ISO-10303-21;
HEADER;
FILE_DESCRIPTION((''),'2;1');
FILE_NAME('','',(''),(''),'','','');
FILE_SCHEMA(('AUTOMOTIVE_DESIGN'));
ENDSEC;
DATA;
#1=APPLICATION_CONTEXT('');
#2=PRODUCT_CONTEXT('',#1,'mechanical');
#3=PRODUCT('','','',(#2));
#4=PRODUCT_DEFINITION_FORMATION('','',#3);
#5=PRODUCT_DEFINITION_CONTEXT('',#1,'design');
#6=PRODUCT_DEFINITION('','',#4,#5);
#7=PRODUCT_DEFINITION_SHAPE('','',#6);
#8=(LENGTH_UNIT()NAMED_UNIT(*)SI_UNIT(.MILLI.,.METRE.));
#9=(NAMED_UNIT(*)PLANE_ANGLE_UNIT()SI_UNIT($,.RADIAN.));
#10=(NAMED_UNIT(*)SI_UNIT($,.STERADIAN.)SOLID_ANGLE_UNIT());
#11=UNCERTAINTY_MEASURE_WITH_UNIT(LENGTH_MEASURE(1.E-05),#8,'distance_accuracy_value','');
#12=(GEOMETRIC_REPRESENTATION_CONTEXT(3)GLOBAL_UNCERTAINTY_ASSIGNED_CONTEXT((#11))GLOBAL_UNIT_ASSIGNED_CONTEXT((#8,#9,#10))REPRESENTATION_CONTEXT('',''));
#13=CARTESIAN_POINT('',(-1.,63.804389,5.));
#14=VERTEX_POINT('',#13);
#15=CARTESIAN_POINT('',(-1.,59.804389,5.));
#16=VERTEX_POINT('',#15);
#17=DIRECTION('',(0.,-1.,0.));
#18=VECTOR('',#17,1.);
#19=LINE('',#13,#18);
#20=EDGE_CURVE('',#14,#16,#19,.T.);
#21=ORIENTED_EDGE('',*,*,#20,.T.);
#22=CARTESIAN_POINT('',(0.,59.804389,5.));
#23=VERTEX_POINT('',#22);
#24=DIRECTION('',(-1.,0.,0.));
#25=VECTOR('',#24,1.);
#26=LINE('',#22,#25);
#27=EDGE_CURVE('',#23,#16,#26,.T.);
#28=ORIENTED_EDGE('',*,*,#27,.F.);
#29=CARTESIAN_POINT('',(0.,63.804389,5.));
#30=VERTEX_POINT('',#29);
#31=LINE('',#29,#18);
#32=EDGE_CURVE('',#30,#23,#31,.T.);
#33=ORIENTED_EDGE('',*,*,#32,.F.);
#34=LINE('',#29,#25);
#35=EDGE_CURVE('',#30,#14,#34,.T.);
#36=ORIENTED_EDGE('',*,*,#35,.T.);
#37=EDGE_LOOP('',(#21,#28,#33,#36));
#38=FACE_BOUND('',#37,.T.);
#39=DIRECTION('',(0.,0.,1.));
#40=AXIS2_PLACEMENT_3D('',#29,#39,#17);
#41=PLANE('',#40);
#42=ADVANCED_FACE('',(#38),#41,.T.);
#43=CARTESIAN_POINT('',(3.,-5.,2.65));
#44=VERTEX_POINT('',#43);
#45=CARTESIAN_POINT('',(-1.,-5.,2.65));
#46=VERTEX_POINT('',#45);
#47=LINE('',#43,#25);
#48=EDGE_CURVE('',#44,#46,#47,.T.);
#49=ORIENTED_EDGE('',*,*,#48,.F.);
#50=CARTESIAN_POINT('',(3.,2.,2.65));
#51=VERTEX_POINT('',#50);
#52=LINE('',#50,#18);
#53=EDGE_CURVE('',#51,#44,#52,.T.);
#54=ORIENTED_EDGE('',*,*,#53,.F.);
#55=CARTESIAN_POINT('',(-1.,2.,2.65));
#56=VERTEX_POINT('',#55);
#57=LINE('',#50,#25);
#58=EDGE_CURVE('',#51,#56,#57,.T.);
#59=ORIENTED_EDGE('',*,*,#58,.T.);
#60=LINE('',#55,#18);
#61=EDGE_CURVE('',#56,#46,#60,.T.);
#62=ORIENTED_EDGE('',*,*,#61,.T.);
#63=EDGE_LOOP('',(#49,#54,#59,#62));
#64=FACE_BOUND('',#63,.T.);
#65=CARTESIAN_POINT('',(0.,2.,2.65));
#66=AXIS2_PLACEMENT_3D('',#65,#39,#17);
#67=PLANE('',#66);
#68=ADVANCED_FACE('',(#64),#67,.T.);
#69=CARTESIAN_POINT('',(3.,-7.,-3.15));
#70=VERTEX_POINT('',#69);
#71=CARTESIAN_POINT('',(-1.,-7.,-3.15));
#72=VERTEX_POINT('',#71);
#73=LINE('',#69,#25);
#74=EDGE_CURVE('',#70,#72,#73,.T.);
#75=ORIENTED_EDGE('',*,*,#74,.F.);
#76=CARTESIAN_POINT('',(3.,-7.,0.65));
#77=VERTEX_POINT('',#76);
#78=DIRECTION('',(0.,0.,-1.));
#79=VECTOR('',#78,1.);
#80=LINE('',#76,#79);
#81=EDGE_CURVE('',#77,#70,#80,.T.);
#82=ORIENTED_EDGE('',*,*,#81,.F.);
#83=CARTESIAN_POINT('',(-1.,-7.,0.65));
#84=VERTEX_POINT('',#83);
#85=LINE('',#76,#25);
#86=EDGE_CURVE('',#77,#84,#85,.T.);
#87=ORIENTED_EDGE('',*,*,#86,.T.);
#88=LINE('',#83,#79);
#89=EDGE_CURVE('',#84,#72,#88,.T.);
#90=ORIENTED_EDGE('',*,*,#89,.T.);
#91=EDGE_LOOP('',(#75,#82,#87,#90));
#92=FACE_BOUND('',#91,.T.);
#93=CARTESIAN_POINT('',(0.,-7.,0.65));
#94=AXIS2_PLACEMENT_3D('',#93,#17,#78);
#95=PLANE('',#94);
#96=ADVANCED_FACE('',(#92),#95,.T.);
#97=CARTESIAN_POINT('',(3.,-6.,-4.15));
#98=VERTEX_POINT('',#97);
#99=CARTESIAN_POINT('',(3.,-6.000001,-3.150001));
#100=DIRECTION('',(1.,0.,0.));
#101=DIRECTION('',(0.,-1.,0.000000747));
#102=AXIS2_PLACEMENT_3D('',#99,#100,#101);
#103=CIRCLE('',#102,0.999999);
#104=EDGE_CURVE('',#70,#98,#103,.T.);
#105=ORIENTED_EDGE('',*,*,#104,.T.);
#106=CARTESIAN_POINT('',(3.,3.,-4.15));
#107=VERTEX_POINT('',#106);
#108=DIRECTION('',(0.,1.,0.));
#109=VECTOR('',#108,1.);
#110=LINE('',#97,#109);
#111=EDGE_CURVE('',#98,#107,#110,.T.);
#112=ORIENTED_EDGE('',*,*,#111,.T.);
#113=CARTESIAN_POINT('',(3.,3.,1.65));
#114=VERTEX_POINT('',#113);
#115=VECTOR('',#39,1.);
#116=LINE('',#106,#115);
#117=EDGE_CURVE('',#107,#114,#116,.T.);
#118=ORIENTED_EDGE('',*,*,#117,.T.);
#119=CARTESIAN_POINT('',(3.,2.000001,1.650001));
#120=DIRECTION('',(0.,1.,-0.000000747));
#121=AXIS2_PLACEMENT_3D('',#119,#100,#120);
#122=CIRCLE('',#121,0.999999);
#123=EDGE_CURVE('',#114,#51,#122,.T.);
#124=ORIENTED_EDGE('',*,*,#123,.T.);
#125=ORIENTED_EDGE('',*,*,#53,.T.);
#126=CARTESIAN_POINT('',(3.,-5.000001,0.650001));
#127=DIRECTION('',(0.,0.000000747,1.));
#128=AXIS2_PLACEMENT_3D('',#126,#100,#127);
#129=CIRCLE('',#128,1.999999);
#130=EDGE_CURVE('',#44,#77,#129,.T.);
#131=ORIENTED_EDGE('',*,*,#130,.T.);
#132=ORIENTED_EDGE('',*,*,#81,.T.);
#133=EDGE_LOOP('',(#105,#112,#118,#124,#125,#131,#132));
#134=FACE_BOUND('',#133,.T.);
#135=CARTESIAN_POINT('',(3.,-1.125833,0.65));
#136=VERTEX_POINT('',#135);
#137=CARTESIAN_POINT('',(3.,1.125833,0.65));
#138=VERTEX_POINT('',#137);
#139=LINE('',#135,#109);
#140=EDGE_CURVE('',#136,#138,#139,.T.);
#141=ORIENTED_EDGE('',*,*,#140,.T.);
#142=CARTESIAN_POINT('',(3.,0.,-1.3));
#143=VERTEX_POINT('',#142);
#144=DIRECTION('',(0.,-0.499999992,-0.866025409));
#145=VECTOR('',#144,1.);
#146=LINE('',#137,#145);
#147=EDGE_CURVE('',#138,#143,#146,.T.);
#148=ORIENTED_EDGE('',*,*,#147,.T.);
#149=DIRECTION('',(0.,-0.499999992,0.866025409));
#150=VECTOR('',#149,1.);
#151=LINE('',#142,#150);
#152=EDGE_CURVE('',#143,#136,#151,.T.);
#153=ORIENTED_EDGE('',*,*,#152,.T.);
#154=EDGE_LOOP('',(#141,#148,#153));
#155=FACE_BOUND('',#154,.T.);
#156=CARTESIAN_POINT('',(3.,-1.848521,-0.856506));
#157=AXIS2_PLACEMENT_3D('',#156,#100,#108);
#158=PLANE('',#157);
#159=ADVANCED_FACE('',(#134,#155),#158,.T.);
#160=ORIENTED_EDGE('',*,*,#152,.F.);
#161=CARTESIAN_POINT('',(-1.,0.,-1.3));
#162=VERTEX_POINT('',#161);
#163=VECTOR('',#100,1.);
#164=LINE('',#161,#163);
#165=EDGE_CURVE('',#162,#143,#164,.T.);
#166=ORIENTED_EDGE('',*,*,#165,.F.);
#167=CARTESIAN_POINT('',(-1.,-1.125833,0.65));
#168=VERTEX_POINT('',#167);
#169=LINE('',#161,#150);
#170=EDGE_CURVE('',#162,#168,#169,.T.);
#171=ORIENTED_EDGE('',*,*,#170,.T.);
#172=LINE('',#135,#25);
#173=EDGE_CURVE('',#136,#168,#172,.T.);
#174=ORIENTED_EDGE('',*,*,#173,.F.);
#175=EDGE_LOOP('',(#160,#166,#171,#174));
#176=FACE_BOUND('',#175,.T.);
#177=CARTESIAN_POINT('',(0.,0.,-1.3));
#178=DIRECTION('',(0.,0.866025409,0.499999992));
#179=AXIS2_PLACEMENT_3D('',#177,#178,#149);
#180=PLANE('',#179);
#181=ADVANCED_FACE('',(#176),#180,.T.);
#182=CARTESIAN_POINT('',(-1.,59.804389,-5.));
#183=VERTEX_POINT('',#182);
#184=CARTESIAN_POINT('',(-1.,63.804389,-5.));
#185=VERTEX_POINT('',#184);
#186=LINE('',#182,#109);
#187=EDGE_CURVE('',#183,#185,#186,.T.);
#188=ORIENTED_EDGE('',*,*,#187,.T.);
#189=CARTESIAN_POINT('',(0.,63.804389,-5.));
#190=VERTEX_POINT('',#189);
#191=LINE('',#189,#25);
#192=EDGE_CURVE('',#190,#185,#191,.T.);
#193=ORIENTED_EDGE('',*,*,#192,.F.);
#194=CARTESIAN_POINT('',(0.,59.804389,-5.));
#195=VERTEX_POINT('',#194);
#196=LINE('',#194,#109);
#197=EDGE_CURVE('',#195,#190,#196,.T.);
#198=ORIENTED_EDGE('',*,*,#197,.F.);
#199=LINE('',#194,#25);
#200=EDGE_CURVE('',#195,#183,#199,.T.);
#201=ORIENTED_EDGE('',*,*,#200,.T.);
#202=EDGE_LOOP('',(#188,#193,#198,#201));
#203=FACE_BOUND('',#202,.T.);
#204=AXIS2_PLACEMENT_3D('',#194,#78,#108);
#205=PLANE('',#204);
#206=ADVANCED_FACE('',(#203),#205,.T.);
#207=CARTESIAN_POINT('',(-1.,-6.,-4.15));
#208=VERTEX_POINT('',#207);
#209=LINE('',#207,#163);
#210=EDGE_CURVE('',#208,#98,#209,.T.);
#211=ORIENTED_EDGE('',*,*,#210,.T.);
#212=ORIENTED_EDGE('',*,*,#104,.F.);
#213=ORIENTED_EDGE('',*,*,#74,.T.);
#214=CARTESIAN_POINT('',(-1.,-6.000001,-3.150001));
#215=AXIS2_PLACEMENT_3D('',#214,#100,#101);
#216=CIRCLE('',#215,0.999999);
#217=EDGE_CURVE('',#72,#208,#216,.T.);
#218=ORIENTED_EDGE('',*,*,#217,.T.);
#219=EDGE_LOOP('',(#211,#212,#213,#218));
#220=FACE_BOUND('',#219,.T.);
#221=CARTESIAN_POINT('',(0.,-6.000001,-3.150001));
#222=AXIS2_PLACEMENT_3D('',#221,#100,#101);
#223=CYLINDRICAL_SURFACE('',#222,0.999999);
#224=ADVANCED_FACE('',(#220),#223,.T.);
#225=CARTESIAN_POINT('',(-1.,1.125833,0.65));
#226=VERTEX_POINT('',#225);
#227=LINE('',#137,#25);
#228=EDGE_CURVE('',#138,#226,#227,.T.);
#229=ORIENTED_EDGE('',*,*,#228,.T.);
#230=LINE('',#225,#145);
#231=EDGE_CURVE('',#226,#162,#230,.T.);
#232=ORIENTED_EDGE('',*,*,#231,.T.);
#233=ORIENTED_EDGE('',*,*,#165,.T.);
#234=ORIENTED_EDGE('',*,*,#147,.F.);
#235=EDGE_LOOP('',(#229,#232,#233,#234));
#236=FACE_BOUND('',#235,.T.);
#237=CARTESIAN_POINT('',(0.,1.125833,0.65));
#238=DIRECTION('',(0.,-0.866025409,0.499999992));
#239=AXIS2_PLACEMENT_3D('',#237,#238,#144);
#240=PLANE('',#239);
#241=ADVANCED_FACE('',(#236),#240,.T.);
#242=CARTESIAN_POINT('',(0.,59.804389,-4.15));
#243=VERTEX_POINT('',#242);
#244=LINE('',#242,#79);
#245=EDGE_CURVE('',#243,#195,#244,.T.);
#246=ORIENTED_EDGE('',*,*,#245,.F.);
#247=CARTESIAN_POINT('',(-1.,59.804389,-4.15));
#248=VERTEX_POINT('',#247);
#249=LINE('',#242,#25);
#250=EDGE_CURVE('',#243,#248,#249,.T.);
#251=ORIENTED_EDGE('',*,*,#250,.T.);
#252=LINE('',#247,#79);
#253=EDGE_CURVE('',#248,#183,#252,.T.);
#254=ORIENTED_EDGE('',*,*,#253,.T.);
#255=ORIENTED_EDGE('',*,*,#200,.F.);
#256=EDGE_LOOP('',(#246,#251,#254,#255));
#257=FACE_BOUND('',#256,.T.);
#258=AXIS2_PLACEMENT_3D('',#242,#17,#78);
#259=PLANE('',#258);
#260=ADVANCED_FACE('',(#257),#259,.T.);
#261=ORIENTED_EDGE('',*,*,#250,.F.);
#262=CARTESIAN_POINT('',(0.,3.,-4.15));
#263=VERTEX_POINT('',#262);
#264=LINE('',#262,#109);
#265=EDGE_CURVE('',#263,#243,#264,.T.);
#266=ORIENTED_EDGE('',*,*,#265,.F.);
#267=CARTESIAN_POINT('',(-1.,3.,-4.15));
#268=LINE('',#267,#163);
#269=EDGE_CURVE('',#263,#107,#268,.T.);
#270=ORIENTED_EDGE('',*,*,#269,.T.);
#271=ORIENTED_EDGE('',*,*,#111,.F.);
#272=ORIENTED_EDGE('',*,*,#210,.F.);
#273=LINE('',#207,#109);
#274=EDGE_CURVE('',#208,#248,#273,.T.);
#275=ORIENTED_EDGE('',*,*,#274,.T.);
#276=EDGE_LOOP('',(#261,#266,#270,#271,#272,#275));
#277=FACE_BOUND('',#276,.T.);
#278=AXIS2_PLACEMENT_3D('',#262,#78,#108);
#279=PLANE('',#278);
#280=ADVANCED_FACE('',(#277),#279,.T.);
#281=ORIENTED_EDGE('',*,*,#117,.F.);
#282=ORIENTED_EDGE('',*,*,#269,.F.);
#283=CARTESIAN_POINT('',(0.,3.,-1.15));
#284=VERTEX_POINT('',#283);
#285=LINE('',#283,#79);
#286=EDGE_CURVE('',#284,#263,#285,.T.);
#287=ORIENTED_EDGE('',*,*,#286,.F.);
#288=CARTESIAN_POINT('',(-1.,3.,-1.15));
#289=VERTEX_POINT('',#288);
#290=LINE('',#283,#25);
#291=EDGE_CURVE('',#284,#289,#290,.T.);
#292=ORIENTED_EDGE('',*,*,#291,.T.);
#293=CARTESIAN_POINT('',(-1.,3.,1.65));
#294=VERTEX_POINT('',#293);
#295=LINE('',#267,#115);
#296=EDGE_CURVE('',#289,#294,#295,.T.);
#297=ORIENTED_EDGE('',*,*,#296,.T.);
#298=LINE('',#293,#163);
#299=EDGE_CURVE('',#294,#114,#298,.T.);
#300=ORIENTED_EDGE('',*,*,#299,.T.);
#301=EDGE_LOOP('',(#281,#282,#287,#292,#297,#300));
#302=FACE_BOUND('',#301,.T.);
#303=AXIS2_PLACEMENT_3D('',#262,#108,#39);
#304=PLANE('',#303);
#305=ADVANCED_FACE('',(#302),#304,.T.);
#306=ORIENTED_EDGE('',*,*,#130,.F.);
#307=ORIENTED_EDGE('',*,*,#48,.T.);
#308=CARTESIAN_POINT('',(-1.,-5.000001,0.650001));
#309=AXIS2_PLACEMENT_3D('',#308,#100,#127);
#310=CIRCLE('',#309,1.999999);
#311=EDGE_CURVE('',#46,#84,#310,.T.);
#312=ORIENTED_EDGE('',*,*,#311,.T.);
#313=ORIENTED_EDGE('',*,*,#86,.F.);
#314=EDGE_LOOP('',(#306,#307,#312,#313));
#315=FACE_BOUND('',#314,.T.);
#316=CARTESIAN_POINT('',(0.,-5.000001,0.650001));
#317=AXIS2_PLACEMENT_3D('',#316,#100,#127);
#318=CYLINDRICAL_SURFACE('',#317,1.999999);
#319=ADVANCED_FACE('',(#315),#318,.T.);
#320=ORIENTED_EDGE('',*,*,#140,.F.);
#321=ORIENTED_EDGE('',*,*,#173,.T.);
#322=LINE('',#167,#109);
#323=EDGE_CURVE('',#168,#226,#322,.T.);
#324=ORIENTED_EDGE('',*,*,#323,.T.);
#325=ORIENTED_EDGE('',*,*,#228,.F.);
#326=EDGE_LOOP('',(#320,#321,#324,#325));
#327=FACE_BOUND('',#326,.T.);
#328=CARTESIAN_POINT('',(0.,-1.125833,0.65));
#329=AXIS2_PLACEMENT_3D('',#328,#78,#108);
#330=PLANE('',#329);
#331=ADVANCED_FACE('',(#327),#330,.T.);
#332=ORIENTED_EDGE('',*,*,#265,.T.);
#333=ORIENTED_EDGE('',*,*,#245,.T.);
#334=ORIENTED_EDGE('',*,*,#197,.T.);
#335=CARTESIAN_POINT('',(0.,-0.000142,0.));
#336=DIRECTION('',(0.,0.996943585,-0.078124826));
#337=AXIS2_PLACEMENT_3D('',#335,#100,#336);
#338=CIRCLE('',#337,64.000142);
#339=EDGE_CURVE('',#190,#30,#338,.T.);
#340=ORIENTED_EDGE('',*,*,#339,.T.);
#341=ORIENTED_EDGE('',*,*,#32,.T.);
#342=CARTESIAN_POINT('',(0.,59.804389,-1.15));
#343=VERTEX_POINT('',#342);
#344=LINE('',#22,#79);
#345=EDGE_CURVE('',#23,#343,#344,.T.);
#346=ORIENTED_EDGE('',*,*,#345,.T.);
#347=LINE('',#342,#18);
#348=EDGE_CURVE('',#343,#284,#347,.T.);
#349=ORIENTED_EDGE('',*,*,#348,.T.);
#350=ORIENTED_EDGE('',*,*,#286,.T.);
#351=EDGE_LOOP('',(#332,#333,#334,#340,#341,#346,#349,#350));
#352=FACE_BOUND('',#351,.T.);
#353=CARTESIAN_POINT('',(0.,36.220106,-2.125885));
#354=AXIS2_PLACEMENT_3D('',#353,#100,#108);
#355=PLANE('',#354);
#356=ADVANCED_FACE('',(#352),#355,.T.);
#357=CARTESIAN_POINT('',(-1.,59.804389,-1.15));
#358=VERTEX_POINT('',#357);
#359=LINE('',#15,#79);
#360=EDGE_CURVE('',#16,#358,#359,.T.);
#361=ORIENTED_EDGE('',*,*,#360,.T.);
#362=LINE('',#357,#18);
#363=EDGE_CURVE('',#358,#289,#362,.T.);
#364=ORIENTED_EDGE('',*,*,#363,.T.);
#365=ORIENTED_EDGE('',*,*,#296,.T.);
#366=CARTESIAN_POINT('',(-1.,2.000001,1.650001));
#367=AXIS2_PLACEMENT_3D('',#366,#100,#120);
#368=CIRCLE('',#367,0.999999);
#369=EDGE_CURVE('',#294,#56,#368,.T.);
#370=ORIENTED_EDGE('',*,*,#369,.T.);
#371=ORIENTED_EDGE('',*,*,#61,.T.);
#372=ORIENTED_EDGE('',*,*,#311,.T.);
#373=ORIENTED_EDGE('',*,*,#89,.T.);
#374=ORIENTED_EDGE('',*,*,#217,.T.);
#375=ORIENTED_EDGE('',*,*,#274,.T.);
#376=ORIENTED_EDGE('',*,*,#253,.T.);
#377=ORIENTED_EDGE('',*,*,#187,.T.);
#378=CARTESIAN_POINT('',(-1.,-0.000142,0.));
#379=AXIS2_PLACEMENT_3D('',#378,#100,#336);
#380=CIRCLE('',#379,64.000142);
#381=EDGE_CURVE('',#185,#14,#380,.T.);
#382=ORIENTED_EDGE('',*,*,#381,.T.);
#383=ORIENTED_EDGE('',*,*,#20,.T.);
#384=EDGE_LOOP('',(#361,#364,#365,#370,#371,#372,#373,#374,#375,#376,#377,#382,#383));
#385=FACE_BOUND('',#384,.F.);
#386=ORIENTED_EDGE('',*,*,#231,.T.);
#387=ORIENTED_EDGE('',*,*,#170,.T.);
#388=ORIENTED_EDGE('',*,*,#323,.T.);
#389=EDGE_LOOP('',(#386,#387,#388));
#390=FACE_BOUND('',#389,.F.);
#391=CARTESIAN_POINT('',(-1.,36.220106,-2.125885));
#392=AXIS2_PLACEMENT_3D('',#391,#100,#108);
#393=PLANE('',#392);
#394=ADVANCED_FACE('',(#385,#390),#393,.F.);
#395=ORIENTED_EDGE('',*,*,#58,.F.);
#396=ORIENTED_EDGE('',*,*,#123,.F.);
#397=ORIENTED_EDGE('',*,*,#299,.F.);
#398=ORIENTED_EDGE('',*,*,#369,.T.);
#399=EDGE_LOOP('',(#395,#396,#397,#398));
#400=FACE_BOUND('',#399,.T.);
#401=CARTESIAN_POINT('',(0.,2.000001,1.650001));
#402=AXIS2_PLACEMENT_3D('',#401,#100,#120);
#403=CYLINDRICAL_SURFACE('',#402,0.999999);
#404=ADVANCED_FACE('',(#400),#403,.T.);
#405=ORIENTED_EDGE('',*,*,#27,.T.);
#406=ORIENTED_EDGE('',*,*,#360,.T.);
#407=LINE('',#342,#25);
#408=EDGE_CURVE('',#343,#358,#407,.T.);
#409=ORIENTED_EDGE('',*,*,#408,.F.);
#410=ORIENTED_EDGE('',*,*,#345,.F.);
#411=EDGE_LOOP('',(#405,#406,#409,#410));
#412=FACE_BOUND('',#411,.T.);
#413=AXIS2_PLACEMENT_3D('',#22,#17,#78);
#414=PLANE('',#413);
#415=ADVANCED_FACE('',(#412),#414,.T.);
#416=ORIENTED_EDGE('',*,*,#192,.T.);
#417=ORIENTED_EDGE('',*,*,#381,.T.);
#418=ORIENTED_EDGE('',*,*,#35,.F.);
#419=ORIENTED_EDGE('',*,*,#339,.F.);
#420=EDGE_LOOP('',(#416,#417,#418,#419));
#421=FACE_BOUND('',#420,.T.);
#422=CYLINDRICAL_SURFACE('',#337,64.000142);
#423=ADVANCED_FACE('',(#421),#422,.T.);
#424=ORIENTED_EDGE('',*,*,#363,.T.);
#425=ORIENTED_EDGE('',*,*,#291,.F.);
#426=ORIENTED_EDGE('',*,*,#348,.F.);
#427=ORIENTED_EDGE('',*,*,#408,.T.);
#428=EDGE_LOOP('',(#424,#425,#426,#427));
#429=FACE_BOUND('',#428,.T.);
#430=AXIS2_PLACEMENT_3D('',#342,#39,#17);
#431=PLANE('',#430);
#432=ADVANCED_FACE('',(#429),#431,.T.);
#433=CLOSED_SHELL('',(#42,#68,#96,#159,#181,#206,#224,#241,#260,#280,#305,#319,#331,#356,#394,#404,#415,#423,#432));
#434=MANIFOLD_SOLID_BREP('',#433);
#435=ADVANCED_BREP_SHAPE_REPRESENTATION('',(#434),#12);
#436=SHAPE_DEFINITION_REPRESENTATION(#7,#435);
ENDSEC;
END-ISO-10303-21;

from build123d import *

# Parameters (mm, degrees)
F1_DEPTH      = 3
F1_DEPTH_BACK = 1
F2_DEPTH      = 1


with BuildPart() as f1:
    # F0 (on Right) → F1 (new body, two sides)
    with BuildSketch(Plane.YZ) as f1_sk:
        with BuildLine():
            ThreePointArc((-7, -3.15), (-6.707107, -3.857107), (-6, -4.15))
            Line((-6, -4.15), (3, -4.15))
            Line((3, -4.15), (3, -1.15))
            Line((3, -1.15), (3, 1.65))
            ThreePointArc((3, 1.65), (2.707107, 2.357107), (2, 2.65))
            Line((2, 2.65), (-5, 2.65))
            ThreePointArc((-5, 2.65), (-6.414214, 2.064214), (-7, 0.65))
            Line((-7, 0.65), (-7, -3.15))
        make_face()
        Polygon((0, -1.3), (-1.125833, 0.65), (1.125833, 0.65), align=None, mode=Mode.SUBTRACT)
    extrude(amount=F1_DEPTH)
    extrude(f1_sk.sketch, amount=-F1_DEPTH_BACK)

    # F0 (on Right) → F2 (join, through all)
    with BuildSketch(Plane.YZ):
        with BuildLine():
            Line((3, -1.15), (3, -4.15))
            Line((3, -4.15), (59.804389, -4.15))
            Line((59.804389, -4.15), (59.804389, -5))
            Line((59.804389, -5), (63.804389, -5))
            ThreePointArc((63.804389, -5), (64, 0), (63.804389, 5))
            Line((63.804389, 5), (59.804389, 5))
            Line((59.804389, 5), (59.804389, -1.15))
            Line((59.804389, -1.15), (3, -1.15))
        make_face()
    extrude(amount=-F2_DEPTH)


solid = f1.part
